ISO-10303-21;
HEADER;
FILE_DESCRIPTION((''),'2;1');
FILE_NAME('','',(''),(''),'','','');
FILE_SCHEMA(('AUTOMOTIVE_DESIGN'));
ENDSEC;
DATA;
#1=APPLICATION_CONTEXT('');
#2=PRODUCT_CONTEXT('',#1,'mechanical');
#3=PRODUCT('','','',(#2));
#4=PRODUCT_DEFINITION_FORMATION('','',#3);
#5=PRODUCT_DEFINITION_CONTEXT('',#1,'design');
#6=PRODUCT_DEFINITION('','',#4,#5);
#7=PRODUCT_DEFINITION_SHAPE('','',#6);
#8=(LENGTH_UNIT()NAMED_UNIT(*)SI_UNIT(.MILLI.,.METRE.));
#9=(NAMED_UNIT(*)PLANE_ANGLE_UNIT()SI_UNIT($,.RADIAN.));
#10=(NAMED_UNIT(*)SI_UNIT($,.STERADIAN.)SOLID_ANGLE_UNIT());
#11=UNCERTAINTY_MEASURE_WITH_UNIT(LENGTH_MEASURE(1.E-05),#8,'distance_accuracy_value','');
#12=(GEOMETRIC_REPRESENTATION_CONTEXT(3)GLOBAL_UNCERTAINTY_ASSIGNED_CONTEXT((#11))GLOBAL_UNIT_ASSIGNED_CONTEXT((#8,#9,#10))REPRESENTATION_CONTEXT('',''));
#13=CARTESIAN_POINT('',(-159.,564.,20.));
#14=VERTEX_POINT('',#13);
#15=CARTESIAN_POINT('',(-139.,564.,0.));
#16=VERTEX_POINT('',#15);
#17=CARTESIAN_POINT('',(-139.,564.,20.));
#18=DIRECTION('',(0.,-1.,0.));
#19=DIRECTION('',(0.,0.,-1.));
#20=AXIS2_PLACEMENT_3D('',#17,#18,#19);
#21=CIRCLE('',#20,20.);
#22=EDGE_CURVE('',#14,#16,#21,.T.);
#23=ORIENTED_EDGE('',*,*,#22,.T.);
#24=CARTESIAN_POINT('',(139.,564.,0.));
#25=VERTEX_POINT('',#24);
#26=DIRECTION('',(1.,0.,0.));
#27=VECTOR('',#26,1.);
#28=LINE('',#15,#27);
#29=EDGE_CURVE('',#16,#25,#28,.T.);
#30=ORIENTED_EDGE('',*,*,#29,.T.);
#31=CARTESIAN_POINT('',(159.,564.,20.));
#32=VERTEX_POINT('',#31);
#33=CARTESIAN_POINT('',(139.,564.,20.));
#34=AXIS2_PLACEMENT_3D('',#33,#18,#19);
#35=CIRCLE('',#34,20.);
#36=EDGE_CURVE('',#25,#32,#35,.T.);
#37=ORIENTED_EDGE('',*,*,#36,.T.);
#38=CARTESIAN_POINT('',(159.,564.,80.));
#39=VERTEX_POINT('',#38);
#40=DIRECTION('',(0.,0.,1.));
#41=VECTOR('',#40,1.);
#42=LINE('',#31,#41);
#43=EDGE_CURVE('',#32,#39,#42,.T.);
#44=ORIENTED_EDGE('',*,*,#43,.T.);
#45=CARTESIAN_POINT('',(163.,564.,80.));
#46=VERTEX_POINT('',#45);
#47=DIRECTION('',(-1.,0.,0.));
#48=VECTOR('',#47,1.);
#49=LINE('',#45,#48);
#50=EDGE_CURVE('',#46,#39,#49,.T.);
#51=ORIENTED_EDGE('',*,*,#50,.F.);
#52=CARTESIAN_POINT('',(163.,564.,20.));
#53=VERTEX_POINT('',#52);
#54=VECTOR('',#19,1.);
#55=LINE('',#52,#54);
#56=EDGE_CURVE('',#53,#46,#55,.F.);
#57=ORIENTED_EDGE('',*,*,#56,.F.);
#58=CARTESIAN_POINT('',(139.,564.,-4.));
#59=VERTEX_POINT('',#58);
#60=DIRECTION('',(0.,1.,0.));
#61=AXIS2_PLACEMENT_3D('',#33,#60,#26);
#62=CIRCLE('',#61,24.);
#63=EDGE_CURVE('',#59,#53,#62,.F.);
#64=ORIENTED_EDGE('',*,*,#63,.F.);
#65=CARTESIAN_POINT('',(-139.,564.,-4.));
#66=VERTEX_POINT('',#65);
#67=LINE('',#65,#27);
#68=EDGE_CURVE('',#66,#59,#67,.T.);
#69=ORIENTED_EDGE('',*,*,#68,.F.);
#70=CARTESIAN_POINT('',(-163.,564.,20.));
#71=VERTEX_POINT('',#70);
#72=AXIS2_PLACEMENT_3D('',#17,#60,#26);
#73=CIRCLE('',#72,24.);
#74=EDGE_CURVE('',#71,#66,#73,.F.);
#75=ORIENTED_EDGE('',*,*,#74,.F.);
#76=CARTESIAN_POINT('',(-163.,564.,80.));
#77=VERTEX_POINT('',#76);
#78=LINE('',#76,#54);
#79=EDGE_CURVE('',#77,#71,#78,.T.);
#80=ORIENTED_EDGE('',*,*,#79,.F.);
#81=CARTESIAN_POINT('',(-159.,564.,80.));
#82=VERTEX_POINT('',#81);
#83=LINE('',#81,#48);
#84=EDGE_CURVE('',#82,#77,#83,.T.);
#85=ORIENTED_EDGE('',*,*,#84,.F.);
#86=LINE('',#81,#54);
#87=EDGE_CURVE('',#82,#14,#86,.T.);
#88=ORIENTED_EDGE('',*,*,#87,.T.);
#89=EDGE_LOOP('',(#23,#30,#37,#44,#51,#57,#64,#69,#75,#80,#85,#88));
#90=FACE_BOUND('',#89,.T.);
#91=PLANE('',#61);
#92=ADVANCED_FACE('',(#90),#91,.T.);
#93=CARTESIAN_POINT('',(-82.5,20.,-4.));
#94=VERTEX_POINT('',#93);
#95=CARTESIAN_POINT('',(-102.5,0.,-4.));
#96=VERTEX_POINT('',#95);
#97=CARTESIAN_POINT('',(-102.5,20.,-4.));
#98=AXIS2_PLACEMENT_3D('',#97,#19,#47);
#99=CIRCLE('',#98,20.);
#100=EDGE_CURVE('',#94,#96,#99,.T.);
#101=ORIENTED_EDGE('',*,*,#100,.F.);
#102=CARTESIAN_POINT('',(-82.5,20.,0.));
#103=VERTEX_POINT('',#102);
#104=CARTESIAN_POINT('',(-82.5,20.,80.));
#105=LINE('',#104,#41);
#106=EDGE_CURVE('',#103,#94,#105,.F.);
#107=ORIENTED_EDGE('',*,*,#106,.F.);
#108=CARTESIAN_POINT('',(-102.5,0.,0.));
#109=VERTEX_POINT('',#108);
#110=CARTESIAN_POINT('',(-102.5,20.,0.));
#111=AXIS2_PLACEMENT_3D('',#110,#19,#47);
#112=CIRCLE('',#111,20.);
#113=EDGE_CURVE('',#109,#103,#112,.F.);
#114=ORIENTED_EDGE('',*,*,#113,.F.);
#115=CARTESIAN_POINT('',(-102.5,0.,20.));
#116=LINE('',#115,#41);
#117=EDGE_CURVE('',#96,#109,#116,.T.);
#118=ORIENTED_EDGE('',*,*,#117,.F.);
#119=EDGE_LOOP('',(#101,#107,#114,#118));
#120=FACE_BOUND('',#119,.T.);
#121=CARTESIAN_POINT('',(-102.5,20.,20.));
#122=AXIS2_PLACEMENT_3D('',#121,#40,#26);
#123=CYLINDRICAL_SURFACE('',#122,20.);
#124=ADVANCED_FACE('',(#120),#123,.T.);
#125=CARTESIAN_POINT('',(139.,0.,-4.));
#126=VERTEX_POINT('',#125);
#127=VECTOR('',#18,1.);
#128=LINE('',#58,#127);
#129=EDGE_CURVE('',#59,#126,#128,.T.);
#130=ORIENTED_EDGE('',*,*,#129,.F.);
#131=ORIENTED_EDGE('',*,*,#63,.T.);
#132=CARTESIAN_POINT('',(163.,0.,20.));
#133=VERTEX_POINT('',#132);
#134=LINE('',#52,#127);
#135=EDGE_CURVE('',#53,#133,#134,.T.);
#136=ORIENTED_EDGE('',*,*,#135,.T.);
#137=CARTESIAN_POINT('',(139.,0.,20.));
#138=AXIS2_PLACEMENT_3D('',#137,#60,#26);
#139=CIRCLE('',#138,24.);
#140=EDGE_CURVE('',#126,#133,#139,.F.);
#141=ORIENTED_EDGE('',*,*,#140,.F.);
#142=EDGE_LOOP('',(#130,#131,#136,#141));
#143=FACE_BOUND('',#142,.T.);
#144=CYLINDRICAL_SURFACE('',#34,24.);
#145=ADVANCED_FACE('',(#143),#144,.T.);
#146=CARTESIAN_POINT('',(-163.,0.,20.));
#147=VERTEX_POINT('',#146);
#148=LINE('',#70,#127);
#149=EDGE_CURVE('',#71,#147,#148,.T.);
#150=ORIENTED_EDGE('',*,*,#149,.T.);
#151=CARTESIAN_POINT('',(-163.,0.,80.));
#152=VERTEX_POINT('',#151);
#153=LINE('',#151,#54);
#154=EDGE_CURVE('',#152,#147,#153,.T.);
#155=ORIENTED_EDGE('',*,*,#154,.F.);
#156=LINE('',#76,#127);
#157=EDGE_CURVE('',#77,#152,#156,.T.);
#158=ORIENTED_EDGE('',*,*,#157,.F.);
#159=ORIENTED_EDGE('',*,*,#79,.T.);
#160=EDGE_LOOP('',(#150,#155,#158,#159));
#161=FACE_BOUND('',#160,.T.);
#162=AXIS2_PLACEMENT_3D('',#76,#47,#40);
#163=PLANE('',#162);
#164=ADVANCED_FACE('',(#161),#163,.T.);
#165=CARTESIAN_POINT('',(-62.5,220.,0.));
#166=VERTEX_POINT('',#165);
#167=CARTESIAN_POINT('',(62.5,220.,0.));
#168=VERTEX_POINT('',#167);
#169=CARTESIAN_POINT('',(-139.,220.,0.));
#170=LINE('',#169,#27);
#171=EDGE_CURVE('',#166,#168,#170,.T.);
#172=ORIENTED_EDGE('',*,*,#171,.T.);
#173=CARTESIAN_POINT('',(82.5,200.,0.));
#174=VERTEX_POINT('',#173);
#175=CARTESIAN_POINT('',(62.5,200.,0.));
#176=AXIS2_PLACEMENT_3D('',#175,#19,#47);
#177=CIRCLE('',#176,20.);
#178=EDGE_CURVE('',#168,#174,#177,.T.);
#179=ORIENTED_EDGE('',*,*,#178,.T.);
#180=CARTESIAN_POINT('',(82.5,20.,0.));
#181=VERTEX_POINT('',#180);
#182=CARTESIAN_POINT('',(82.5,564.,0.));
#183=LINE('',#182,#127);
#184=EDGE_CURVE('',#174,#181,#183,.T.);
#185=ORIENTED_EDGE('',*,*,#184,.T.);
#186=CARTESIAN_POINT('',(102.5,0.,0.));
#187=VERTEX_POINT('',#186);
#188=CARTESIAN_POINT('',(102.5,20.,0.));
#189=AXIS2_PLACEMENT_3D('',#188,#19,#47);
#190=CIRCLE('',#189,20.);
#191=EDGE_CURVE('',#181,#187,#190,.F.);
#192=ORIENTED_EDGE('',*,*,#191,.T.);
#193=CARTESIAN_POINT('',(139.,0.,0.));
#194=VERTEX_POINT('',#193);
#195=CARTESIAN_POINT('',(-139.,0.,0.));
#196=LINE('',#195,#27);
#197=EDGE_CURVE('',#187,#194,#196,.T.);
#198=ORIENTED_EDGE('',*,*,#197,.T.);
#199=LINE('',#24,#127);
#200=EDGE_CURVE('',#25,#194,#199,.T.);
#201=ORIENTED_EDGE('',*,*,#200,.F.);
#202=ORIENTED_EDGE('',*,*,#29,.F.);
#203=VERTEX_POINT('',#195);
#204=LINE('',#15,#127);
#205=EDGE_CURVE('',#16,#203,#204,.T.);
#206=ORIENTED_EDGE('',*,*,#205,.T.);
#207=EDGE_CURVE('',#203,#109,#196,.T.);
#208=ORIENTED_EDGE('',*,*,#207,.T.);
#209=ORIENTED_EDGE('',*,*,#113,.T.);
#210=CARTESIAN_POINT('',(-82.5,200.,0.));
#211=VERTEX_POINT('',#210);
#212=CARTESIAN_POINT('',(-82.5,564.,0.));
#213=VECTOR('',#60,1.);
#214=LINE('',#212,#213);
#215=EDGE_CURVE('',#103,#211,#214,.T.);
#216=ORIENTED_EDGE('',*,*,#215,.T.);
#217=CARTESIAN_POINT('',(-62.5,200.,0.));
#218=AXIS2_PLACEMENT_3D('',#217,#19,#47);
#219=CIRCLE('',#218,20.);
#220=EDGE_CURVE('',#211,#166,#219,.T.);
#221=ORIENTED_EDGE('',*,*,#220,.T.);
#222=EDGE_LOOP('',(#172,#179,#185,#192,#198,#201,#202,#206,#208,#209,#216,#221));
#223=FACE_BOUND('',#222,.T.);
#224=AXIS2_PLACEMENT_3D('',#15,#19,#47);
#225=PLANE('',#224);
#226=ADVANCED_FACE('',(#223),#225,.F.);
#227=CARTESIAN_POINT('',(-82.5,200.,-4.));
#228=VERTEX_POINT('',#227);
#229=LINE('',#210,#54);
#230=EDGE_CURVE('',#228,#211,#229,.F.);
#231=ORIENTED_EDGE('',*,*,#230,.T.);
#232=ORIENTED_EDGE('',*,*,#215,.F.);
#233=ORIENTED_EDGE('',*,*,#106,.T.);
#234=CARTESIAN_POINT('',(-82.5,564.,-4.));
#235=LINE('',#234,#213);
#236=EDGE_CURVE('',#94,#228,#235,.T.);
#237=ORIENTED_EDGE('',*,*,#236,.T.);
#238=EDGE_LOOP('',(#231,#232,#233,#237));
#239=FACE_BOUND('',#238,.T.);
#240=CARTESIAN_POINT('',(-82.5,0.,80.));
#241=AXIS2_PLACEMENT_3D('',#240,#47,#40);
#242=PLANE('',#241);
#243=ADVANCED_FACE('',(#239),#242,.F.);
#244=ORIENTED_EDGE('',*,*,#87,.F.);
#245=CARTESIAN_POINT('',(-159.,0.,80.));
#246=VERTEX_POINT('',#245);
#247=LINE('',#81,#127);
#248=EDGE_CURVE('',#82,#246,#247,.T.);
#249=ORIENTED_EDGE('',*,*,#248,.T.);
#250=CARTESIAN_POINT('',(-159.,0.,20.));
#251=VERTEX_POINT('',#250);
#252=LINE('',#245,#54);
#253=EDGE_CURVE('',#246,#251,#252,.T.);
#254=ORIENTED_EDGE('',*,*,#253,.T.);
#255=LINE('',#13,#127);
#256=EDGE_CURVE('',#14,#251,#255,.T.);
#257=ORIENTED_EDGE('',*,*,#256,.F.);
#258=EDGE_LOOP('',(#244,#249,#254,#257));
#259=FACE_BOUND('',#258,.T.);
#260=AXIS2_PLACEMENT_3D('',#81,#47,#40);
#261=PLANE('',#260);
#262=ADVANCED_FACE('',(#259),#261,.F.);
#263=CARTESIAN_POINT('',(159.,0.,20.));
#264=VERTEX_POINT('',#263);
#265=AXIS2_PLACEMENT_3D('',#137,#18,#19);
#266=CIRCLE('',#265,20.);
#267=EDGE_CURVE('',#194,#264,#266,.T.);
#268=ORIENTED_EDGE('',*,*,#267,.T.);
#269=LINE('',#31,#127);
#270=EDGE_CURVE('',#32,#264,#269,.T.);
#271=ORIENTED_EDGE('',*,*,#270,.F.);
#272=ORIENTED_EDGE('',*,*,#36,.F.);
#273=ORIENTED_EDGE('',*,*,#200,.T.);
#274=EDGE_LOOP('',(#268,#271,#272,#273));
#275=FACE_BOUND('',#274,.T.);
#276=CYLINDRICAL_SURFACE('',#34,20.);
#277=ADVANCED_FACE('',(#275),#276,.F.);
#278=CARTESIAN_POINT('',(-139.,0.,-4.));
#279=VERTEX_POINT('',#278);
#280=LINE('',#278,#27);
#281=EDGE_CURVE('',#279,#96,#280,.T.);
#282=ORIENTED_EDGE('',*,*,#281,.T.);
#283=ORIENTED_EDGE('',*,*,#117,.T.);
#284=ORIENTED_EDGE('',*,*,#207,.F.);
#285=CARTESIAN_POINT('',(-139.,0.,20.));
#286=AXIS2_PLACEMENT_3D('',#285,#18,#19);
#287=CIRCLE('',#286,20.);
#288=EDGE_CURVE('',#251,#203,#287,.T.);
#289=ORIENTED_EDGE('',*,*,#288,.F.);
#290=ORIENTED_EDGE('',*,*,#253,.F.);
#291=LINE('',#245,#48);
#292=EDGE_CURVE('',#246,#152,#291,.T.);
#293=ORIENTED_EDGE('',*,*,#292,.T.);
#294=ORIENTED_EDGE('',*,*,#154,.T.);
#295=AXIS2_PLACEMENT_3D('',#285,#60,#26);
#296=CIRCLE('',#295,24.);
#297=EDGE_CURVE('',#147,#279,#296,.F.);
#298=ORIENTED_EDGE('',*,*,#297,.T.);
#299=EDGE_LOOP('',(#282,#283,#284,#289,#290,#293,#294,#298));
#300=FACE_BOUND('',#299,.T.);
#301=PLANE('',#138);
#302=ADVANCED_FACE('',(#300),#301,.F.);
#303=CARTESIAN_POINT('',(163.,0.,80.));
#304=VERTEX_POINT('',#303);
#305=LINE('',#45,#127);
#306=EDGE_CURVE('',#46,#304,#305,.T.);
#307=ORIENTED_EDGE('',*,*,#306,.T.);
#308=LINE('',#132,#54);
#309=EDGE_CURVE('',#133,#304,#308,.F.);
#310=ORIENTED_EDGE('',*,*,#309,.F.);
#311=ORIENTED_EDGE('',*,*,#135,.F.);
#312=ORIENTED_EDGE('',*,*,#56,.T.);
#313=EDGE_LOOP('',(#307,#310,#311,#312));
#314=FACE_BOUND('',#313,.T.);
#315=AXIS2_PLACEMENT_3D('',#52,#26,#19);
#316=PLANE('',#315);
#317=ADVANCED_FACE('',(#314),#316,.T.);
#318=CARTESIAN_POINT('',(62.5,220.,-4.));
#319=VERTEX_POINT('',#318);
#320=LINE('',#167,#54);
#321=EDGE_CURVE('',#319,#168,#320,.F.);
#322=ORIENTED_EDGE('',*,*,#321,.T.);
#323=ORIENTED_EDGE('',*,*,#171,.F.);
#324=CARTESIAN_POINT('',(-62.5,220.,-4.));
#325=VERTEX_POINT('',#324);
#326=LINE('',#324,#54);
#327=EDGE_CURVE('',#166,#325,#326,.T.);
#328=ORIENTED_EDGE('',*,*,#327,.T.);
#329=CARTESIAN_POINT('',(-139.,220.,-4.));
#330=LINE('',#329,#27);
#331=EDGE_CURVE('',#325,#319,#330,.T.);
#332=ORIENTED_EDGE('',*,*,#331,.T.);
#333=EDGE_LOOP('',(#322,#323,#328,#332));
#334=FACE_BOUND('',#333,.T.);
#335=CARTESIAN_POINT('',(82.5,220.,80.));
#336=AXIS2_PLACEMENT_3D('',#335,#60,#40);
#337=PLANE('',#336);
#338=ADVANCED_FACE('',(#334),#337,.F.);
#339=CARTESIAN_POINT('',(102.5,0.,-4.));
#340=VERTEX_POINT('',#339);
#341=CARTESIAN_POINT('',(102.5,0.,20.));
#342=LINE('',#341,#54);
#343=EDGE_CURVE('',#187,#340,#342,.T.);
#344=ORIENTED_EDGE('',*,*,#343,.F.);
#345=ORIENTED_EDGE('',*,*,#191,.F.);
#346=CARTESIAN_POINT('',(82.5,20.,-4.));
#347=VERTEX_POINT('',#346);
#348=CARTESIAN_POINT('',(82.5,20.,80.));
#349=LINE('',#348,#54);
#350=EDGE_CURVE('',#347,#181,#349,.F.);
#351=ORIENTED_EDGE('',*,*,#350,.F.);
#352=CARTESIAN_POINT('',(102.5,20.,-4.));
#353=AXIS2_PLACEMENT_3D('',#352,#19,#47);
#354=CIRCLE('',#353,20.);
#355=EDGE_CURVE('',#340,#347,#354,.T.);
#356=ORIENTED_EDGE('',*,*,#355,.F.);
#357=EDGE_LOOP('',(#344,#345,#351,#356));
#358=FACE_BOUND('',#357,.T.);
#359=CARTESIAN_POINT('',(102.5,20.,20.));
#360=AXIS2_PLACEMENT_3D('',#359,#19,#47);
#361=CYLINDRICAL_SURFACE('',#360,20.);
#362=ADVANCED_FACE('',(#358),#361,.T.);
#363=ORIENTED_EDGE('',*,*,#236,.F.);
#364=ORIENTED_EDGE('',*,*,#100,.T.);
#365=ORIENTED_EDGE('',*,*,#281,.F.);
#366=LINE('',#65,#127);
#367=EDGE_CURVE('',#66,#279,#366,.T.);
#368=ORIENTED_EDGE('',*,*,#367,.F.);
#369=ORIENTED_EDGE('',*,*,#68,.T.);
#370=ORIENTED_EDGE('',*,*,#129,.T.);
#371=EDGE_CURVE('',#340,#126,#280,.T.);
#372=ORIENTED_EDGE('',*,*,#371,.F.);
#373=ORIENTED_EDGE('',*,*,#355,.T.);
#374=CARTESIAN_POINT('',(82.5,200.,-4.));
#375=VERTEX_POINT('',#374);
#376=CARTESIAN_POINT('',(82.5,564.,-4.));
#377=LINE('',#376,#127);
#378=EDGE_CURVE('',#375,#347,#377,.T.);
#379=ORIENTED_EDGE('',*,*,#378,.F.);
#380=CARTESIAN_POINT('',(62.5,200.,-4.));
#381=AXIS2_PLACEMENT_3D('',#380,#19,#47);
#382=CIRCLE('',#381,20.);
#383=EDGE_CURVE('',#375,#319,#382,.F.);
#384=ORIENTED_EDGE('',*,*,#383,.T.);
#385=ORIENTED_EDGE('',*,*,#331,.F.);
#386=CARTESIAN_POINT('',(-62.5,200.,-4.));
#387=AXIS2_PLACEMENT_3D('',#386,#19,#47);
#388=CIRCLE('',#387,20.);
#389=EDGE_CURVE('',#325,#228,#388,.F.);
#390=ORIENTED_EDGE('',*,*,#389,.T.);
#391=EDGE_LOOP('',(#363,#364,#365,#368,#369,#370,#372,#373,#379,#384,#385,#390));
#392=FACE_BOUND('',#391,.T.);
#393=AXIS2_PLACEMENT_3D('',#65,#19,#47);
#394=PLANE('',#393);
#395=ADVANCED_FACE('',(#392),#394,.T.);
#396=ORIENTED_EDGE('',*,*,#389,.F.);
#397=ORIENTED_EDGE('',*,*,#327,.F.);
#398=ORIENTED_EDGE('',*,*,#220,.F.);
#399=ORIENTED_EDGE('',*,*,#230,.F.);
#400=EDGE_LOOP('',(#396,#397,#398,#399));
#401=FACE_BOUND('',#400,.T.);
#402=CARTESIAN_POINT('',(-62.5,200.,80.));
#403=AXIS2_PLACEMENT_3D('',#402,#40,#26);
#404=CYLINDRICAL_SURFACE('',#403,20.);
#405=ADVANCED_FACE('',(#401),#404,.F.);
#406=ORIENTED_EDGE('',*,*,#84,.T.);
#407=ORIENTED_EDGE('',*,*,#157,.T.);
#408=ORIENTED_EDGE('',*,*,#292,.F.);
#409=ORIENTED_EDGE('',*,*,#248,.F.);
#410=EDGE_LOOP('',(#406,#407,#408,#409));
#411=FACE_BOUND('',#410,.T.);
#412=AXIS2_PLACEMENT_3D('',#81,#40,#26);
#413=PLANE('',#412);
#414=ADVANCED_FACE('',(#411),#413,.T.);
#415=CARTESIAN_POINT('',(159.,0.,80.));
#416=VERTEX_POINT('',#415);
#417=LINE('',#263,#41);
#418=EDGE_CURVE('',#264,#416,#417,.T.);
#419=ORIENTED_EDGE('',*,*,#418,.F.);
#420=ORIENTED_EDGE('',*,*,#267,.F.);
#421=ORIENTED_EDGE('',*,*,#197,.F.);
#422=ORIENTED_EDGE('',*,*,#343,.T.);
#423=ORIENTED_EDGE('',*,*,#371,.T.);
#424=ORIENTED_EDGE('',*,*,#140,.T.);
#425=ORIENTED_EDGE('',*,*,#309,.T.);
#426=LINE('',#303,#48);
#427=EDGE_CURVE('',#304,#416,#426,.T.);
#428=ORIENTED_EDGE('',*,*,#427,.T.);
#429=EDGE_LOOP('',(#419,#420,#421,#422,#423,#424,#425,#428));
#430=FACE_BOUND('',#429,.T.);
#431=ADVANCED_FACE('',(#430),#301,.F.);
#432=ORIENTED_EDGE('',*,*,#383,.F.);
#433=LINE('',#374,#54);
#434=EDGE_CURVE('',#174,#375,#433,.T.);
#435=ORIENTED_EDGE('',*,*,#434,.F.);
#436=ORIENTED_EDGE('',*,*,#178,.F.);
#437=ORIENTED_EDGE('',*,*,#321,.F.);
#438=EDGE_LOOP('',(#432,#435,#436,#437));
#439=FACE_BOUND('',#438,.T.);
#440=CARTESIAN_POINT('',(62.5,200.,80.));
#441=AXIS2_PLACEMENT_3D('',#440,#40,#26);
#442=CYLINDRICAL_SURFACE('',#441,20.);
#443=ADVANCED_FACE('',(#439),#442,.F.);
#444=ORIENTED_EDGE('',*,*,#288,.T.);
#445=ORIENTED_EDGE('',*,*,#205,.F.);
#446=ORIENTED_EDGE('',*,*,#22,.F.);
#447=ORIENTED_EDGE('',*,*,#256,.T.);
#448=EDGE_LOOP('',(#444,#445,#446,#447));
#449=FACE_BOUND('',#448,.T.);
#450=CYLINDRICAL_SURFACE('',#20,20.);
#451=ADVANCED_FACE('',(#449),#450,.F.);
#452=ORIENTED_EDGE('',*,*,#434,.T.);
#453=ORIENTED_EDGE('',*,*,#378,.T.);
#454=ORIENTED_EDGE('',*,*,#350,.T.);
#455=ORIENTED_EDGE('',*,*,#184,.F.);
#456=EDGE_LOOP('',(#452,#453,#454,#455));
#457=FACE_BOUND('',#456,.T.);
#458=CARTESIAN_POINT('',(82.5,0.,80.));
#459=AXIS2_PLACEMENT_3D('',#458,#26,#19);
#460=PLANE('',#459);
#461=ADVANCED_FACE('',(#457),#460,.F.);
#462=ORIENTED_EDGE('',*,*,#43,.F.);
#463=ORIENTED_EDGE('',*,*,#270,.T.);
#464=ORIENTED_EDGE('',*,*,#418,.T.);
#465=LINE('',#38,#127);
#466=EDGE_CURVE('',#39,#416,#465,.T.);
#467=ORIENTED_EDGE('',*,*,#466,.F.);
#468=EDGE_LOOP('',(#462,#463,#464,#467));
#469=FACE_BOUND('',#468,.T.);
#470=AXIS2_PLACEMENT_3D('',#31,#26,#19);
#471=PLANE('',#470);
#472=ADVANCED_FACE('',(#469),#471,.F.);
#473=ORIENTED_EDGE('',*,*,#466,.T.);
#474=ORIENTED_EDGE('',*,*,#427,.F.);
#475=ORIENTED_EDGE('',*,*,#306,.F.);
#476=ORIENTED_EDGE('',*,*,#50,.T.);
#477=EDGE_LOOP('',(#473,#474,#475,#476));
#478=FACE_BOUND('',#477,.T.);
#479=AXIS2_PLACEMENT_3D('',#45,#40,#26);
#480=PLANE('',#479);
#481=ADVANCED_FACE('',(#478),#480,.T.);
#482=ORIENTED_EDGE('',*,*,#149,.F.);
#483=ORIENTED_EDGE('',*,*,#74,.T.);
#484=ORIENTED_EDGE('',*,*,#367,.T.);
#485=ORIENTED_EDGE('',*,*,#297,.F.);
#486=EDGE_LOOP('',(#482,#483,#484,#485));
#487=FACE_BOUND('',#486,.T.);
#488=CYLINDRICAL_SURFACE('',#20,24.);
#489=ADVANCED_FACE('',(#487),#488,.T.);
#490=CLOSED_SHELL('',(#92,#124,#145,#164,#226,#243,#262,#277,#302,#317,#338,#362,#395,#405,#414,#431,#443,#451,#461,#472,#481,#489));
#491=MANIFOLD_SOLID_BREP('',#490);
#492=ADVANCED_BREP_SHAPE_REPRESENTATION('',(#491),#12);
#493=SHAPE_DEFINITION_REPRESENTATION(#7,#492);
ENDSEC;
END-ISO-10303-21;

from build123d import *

# Parameters (mm, degrees)
EXTRUDE_THIN1_DEPTH     = 564
CUT_EXTRUDE2_DEPTH      = 594.060705156
CUT_EXTRUDE2_DEPTH_BACK = 594.060705156
SKETCH3_W               = 165
SKETCH3_H               = 220
FILLET1_R               = 20


with BuildPart() as part:
    # Sketch1 → Extrude-Thin1 (new body)
    with BuildSketch(Plane(origin=(0, 0, 0), x_dir=(1, 0, 0), z_dir=(0, 1, 0))):
        with BuildLine():
            Line((-159, -80), (-159, -20))
            ThreePointArc((-159, -20), (-153.142135624, -5.857864376), (-139, 0))
            Line((-139, 0), (139, 0))
            ThreePointArc((139, 0), (153.142135624, -5.857864376), (159, -20))
            Line((159, -20), (159, -80))
            Line((159, -80), (163, -80))
            Line((163, -80), (163, -20))
            ThreePointArc((163, -20), (155.970562748, -3.029437252), (139, 4))
            Line((139, 4), (-139, 4))
            ThreePointArc((-139, 4), (-155.970562748, -3.029437252), (-163, -20))
            Line((-163, -20), (-163, -80))
            Line((-163, -80), (-159, -80))
        make_face()
    extrude(amount=EXTRUDE_THIN1_DEPTH)

    # Sketch3 → Cut-Extrude2 (cut, two sides: drawn at the far end of the back side and taken through both)
    with BuildSketch(Plane(origin=(0, 0, -4), x_dir=(-1, 0, 0), z_dir=(0, 0, -1)).offset(-CUT_EXTRUDE2_DEPTH_BACK)):
        with Locations((0, 110)):
            Rectangle(SKETCH3_W, SKETCH3_H)
    extrude(amount=CUT_EXTRUDE2_DEPTH + CUT_EXTRUDE2_DEPTH_BACK, mode=Mode.SUBTRACT)

    # Fillet1
    fillet1_edges = [part.edges().sort_by_distance(p)[0] for p in [
        (-82.5, 0, -2),
        (82.5, 0, -2),
        (82.5, 220, -2),
        (-82.5, 220, -2),
    ]]
    fillet(fillet1_edges, radius=FILLET1_R)


solid = part.part
